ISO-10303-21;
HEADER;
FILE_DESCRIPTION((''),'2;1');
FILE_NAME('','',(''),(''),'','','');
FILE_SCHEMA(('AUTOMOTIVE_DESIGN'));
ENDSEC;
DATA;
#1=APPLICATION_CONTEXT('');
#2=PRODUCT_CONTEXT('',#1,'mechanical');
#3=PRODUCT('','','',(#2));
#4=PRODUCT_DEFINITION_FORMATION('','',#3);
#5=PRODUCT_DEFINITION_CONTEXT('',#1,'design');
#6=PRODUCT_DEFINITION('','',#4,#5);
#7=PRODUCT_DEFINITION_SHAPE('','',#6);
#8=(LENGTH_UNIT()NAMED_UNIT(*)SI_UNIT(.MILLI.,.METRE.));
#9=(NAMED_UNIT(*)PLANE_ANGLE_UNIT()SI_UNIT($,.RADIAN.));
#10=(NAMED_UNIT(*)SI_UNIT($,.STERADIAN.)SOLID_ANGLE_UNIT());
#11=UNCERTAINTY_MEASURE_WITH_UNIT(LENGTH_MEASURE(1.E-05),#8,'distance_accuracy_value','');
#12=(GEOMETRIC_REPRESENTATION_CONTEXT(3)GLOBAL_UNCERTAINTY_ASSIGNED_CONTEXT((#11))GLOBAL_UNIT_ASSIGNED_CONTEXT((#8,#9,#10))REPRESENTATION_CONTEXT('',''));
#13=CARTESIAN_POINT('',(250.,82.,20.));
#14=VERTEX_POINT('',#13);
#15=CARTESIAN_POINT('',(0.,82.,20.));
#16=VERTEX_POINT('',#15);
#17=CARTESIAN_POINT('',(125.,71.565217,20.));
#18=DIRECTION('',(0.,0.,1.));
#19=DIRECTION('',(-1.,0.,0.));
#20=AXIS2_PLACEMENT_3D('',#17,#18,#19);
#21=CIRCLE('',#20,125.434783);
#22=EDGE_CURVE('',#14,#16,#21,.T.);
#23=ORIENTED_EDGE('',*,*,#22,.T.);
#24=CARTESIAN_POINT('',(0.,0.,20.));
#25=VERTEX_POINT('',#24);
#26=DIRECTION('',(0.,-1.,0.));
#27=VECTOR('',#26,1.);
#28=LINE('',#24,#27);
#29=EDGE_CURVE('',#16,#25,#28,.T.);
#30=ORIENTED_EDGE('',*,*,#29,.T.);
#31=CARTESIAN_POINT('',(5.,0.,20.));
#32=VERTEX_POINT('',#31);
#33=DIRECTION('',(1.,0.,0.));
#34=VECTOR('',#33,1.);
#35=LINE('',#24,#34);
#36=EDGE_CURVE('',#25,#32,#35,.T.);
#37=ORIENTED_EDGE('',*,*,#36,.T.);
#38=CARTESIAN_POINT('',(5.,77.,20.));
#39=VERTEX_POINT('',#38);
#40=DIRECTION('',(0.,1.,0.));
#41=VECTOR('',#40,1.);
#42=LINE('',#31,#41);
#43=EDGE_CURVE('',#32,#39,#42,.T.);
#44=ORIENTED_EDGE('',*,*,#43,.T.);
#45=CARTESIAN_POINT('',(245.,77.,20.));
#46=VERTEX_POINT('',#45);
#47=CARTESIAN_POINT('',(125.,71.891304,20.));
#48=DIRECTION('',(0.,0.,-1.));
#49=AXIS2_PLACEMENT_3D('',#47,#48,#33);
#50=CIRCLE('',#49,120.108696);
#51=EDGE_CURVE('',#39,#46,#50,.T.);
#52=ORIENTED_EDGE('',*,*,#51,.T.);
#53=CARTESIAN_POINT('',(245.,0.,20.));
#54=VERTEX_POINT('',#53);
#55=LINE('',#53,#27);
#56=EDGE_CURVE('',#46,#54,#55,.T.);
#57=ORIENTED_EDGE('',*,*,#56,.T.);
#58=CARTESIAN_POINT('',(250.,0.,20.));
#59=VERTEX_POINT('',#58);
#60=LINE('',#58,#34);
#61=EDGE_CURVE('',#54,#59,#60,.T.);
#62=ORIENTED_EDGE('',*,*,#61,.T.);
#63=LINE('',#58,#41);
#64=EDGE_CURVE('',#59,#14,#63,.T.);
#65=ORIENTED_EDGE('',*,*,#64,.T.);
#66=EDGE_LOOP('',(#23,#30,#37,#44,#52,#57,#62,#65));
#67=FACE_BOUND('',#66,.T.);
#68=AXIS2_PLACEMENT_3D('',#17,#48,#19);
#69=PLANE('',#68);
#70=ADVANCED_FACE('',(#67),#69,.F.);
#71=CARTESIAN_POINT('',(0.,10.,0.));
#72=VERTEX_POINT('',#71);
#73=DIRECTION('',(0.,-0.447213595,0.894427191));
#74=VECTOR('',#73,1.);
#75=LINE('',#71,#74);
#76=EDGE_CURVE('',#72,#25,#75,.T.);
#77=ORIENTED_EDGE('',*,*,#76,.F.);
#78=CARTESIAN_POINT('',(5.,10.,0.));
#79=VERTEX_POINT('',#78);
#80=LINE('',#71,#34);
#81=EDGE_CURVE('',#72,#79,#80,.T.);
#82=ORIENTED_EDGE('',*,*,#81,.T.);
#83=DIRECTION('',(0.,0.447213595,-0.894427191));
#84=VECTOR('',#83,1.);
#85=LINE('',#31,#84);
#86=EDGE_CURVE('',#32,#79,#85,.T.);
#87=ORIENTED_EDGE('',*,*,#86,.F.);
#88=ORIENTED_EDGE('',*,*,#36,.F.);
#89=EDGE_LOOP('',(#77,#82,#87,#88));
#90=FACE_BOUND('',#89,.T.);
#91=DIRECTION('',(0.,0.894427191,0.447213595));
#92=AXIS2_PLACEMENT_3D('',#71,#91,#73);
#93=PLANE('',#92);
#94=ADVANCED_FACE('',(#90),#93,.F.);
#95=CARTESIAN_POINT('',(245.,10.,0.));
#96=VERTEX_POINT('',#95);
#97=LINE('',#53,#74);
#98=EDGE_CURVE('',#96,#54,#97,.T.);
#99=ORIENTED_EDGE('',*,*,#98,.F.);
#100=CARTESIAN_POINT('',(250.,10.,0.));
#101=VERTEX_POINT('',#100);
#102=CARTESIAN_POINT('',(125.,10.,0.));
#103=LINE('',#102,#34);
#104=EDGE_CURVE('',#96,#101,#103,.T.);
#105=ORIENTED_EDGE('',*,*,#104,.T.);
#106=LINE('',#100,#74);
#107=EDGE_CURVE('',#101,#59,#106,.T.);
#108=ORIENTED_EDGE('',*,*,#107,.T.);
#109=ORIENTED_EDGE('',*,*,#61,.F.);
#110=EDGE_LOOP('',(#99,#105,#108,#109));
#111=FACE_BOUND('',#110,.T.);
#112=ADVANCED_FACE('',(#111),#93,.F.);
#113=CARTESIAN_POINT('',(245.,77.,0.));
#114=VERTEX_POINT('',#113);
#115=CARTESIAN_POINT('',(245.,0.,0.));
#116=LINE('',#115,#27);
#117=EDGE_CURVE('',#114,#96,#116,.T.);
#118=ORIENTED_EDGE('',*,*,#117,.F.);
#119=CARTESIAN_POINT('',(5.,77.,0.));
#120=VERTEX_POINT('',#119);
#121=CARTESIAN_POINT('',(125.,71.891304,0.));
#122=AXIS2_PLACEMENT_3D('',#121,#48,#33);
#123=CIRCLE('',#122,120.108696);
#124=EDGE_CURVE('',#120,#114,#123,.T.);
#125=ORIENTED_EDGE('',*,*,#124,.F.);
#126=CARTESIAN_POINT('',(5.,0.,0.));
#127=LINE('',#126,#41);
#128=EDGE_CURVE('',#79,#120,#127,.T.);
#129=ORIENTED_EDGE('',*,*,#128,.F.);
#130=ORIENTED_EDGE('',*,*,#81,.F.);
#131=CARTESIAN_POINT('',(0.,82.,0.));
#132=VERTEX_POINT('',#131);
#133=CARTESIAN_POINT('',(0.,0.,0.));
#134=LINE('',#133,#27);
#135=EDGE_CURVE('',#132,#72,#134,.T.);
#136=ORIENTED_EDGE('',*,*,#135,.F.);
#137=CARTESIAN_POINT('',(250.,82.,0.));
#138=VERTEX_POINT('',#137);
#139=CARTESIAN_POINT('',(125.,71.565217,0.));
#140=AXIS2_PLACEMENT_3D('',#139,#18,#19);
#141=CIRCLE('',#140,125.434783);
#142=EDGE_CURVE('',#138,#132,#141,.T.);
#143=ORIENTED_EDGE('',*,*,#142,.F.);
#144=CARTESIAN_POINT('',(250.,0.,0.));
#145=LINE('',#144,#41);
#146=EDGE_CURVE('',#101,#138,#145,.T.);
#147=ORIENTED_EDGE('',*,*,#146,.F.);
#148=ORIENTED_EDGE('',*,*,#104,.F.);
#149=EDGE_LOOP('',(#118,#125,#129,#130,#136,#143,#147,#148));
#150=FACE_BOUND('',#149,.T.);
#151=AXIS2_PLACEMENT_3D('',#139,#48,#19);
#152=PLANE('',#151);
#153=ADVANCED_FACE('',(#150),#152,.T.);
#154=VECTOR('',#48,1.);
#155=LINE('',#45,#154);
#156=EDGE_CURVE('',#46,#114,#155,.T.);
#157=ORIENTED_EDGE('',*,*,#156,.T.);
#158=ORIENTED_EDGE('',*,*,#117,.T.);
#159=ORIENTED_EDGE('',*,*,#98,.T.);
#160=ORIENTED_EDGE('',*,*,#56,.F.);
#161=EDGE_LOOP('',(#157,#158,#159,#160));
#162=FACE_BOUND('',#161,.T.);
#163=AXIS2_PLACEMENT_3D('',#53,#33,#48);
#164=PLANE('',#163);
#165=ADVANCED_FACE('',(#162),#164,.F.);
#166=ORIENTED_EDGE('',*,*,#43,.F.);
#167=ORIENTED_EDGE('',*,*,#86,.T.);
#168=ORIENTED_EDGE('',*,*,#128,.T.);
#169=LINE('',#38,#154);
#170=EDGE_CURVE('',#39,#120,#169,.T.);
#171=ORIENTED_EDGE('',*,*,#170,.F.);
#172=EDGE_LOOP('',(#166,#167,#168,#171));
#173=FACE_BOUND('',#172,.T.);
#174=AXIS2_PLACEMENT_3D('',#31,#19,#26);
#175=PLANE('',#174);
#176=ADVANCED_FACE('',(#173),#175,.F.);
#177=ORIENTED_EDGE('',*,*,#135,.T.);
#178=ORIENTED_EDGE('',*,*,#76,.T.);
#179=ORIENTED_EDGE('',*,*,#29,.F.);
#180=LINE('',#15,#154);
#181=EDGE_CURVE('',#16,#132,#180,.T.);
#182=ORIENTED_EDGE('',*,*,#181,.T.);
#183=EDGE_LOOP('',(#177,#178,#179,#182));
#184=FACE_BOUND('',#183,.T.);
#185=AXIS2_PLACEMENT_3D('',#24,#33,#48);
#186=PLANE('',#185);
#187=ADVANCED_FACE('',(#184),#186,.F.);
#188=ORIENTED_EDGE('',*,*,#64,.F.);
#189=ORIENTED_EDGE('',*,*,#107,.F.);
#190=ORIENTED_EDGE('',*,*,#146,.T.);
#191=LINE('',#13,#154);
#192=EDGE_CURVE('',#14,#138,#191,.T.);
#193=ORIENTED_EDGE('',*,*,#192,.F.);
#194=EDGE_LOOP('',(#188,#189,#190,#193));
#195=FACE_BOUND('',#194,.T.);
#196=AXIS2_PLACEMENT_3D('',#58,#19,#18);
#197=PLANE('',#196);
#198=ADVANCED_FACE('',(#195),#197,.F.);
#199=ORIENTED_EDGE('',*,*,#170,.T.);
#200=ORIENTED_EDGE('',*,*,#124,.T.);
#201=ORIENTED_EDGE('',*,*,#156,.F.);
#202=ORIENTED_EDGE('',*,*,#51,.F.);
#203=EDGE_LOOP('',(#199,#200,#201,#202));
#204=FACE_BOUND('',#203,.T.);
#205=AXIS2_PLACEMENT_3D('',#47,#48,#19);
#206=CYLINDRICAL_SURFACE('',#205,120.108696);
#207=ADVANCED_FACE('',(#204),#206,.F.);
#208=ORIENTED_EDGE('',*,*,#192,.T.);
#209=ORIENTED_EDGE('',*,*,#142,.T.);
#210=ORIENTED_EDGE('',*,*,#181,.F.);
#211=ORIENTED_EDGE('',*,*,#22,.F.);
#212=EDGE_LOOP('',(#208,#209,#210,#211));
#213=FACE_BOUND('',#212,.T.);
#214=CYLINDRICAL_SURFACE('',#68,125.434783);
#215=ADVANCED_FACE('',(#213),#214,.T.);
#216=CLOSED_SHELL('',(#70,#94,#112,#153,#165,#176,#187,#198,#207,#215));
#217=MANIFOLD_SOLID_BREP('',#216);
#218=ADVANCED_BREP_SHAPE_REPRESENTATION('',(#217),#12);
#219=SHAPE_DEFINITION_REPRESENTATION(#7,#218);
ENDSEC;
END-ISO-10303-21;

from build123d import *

# Parameters (mm, degrees)
BOSS_EXTRU_1_DEPTH      = 20
ENL_V_MAT_EXTRU_1_DEPTH = 319.918484883


with BuildPart() as part:
    # Esquisse1 → Boss.-Extru.1 (new body)
    with BuildSketch(Plane.XY):
        with BuildLine():
            Line((5, 0), (5, 77))
            ThreePointArc((5, 77), (125, 192), (245, 77))
            Line((245, 77), (245, 0))
            Line((245, 0), (250, 0))
            Line((250, 0), (250, 82))
            ThreePointArc((250, 82), (125, 197), (0, 82))
            Line((0, 82), (0, 0))
            Line((0, 0), (5, 0))
        make_face()
    extrude(amount=BOSS_EXTRU_1_DEPTH)

    # Esquisse2 → Enlèv. mat.-Extru.1 (cut, through all)
    with BuildSketch(Plane(origin=(250, 0, 0), x_dir=(0, 0, -1), z_dir=(1, 0, 0))):
        Polygon((-20, 0), (0, 0), (0, 10), align=None)
    extrude(amount=-ENL_V_MAT_EXTRU_1_DEPTH, mode=Mode.SUBTRACT)


solid = part.part
